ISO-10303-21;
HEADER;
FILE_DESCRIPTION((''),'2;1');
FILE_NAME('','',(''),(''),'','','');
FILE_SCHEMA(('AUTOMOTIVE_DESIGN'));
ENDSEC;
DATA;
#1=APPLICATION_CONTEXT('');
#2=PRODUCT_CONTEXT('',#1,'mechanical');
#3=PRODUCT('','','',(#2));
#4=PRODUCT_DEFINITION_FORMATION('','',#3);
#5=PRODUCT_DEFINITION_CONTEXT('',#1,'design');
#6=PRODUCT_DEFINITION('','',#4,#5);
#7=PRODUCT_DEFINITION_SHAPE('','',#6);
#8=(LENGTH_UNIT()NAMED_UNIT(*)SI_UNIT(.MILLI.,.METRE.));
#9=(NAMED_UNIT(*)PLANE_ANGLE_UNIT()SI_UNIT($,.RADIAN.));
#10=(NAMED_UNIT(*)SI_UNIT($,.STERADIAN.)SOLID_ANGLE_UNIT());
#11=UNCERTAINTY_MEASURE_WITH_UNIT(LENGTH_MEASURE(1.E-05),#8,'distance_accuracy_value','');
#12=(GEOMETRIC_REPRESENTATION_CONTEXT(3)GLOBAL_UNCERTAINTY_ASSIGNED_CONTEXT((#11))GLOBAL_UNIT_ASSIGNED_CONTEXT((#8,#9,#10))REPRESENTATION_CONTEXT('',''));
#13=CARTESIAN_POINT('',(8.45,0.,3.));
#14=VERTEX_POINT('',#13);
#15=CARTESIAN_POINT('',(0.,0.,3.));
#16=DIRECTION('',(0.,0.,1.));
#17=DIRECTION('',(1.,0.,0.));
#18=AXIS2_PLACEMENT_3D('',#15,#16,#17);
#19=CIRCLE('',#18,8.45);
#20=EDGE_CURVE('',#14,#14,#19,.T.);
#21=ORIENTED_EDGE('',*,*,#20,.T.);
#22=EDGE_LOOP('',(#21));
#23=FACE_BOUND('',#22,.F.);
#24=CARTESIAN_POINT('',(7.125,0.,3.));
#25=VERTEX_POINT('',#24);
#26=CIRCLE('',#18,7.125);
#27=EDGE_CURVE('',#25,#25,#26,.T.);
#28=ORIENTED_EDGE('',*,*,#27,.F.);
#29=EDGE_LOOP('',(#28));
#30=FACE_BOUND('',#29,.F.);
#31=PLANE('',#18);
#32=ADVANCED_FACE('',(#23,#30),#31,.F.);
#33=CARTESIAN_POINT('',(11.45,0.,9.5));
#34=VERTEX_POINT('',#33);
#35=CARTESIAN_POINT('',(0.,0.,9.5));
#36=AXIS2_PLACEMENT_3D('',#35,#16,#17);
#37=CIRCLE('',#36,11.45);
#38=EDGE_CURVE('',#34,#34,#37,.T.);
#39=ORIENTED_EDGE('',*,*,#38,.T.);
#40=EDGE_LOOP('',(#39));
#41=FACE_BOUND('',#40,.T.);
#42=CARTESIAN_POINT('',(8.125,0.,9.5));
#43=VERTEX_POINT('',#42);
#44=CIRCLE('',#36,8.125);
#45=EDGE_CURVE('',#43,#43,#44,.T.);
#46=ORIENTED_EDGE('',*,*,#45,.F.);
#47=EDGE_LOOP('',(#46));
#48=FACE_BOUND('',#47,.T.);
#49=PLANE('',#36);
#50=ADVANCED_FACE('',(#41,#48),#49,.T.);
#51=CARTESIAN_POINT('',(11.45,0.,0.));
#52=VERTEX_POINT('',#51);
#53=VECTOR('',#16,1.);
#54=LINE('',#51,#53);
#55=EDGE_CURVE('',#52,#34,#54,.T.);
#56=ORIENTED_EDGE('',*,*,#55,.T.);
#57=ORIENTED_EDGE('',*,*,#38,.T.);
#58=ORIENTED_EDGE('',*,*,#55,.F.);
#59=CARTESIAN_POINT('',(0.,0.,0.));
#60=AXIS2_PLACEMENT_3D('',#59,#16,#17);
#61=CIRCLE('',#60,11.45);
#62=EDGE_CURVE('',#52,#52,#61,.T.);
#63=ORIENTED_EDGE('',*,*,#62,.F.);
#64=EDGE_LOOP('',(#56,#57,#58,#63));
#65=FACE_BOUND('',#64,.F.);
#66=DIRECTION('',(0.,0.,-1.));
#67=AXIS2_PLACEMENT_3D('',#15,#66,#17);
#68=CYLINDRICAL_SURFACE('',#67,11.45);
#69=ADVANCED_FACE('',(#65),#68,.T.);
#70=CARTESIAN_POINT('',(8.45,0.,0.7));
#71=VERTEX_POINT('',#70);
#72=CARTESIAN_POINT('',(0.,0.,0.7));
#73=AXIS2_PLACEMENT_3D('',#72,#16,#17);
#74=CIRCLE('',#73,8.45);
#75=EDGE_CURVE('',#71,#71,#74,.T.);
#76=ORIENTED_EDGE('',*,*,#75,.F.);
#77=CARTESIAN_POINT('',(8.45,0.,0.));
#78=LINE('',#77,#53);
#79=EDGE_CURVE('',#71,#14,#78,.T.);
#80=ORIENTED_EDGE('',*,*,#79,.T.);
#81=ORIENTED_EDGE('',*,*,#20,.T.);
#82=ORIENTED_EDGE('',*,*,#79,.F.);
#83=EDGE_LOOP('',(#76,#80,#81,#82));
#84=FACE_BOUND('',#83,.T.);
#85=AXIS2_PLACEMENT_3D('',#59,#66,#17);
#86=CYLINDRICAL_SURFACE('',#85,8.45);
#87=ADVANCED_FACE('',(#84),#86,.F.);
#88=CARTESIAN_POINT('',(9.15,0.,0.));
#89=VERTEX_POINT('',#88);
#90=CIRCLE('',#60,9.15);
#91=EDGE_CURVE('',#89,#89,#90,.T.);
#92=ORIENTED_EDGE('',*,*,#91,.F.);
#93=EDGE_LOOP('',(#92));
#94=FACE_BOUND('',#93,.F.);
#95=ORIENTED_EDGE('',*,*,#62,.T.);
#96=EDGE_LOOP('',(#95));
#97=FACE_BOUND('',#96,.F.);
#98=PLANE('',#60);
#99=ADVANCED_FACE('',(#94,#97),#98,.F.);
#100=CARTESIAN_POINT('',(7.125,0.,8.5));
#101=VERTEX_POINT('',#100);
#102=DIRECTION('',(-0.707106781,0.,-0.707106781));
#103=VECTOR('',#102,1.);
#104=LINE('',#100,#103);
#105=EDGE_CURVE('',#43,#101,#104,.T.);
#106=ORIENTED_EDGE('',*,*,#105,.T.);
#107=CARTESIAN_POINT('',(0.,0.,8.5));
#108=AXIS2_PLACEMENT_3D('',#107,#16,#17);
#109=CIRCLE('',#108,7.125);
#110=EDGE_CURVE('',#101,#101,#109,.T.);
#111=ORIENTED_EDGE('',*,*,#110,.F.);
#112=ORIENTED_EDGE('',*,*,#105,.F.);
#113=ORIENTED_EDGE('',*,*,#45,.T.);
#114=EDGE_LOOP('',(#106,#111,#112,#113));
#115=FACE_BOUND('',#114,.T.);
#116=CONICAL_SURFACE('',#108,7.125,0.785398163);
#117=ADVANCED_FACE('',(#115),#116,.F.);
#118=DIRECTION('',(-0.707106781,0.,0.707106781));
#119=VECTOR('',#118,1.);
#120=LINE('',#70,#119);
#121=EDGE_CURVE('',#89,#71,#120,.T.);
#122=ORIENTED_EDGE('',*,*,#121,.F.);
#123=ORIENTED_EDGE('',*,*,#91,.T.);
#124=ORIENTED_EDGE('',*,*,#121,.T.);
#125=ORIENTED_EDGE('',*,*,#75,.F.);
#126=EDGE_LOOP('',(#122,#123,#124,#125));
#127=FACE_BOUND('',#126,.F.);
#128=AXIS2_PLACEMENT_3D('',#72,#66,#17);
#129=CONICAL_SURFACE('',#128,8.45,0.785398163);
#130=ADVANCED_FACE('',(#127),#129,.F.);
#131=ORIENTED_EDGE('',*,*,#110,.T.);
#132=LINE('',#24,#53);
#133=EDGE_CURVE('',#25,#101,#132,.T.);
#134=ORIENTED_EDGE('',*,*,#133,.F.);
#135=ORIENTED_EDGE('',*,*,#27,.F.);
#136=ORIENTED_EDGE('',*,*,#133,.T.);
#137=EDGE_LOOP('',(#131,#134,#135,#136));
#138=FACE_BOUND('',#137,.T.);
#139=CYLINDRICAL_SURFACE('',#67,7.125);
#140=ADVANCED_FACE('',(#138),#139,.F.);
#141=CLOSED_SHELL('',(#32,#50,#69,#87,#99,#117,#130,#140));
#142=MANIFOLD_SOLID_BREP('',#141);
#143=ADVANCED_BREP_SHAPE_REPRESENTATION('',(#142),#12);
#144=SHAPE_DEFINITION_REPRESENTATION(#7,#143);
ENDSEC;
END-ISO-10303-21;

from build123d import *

# Parameters (mm, degrees)
SKETCH_R        = 11.45
SKETCH_R_2      = 8.45
PAD_DEPTH       = 3
SKETCH001_R     = 11.45
SKETCH001_R_2   = 7.125
PAD001_DEPTH    = 6.5
CHAMFER_SIZE    = 0.7
CHAMFER001_SIZE = 1


with BuildPart() as part:
    # Sketch → Pad (new body)
    with BuildSketch(Plane.XY):
        Circle(SKETCH_R)
        Circle(SKETCH_R_2, mode=Mode.SUBTRACT)
    extrude(amount=PAD_DEPTH)

    # Sketch001 (on Face4 of Pad) → Pad001 (join)
    with BuildSketch(Plane.XY.offset(3)):
        Circle(SKETCH001_R)
        Circle(SKETCH001_R_2, mode=Mode.SUBTRACT)
    extrude(amount=PAD001_DEPTH)

    # Chamfer
    chamfer_edges = [part.edges().sort_by_distance(p)[0] for p in [
        (-8.45, 0, 0),
    ]]
    chamfer(chamfer_edges, length=CHAMFER_SIZE)

    # Chamfer001
    chamfer001_edges = [part.edges().sort_by_distance(p)[0] for p in [
        (-7.125, 0, 9.5),
    ]]
    chamfer(chamfer001_edges, length=CHAMFER001_SIZE)


solid = part.part
